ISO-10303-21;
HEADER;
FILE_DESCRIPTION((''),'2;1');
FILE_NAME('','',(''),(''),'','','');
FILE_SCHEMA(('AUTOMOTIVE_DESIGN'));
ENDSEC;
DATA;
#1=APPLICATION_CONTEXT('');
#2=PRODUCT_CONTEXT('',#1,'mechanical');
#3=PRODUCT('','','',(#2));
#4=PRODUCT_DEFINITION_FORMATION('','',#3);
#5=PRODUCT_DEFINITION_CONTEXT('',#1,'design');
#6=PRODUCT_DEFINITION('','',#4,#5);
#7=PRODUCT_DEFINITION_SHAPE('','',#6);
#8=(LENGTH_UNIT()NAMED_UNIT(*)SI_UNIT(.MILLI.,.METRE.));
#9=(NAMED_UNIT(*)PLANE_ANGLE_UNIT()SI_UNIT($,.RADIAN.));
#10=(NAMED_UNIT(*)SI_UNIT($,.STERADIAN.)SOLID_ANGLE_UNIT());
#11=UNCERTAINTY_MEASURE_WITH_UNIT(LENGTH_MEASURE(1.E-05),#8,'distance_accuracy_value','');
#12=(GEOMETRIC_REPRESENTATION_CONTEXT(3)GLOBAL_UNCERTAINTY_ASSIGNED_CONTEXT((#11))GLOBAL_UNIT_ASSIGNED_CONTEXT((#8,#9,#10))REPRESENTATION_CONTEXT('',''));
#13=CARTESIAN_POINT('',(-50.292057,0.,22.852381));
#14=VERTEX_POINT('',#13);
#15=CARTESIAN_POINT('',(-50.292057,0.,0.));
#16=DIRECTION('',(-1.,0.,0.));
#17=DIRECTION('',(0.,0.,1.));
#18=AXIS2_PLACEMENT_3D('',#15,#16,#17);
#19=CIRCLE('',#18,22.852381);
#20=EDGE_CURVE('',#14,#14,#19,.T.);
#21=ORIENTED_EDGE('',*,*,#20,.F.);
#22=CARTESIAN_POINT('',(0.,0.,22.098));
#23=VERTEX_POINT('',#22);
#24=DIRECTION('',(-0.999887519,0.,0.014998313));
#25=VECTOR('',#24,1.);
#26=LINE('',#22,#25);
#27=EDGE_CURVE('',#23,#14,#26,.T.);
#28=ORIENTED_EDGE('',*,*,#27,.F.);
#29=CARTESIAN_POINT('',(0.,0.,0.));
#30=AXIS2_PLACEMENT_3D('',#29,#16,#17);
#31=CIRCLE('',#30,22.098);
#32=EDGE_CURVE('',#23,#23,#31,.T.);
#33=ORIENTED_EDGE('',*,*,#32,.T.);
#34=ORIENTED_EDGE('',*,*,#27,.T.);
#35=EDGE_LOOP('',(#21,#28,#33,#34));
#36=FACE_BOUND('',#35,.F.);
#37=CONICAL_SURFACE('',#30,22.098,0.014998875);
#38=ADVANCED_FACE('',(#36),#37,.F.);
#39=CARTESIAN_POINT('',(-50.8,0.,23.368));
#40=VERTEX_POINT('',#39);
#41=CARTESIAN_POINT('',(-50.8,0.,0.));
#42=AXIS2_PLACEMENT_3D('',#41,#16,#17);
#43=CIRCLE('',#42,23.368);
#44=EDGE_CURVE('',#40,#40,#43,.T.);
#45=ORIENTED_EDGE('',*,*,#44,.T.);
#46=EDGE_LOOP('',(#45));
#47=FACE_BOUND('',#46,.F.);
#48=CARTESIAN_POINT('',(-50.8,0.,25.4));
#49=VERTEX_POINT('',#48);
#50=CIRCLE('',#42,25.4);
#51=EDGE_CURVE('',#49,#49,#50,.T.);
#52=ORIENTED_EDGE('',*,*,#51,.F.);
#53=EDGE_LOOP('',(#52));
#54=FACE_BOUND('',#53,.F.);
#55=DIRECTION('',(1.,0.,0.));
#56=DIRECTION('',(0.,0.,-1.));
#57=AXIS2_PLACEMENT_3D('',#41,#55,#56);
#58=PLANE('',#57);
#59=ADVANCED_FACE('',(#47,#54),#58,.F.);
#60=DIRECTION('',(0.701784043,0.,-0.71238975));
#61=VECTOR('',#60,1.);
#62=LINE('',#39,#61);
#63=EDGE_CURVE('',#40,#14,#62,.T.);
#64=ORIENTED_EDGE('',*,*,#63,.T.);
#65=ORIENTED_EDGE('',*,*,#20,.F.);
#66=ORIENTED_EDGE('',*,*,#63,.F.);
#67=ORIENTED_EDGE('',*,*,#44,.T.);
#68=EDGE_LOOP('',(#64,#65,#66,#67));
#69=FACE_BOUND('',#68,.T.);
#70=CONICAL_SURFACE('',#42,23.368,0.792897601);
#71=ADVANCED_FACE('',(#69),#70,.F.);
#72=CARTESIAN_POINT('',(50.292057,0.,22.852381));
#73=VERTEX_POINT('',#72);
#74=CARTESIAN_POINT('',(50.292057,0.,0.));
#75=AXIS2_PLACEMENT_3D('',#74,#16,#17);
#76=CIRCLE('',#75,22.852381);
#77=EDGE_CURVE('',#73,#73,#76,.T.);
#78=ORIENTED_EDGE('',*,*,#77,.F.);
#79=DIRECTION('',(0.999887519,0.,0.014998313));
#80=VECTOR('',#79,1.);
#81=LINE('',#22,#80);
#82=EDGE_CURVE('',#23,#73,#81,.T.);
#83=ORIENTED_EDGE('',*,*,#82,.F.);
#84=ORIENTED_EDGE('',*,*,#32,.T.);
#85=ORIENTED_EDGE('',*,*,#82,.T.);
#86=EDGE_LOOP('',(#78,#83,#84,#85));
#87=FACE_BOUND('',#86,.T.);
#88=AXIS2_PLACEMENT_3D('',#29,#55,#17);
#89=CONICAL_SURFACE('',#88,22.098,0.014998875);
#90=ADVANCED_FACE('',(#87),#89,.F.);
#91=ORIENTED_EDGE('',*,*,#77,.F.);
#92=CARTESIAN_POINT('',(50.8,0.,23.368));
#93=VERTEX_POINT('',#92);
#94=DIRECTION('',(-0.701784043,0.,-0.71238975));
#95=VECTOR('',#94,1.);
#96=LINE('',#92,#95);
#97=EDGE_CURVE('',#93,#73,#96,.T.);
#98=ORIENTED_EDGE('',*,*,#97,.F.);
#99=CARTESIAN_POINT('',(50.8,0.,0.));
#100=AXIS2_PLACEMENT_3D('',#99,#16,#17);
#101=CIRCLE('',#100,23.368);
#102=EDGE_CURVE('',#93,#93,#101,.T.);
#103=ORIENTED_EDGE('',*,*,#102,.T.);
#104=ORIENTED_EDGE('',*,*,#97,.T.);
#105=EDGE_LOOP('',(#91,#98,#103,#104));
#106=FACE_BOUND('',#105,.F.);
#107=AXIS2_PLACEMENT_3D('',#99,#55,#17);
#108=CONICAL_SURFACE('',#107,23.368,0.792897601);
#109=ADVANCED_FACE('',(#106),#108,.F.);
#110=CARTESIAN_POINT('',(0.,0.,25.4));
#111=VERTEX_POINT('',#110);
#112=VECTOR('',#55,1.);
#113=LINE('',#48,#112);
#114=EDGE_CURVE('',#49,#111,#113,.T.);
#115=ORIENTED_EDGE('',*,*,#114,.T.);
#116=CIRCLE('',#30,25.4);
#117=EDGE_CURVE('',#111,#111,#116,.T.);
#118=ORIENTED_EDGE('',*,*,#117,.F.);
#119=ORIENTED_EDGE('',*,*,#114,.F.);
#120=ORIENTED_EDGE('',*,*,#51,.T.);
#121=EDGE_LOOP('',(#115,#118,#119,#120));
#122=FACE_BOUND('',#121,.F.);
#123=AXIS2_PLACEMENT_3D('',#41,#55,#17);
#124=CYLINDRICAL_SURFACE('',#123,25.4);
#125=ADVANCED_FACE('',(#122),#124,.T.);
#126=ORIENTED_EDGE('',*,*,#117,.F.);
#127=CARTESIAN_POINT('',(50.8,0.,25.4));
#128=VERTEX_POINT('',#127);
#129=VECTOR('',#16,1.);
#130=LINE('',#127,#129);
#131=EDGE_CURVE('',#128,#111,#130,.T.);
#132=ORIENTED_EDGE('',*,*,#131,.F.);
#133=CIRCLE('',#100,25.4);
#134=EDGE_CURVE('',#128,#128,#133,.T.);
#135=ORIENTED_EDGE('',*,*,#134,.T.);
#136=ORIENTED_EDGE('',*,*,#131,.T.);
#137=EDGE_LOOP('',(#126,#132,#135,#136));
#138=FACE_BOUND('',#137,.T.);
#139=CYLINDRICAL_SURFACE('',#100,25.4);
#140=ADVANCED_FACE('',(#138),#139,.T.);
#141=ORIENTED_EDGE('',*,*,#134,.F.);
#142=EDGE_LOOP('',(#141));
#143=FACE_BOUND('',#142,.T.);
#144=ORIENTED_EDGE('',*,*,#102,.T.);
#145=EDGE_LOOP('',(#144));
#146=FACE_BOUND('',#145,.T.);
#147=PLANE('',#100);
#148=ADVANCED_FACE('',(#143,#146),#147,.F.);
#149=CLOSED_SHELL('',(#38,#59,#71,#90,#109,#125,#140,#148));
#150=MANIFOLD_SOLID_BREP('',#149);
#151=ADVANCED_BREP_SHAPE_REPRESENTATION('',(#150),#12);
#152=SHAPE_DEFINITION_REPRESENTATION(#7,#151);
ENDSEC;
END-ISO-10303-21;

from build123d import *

# Parameters (mm, degrees)
F3_SIZE = 0.508


with BuildPart() as f1:
    # F0 (on Front) → F1 (revolve)
    with BuildSketch(Plane.XZ):
        Polygon((50.8, 25.4), (0, 25.4), (0, 22.098), (50.8, 22.86), align=None)
    revolve(axis=Axis((-51.9470935156, 0, 0), (-1, 0, 0)))

    # F2: F1 across face


with BuildPart() as f1_1:
    add(f1.part)
    add(f1.part.mirror(Plane(origin=(0, 0, 0), x_dir=(0, -1, 0), z_dir=(-1, 0, 0))))

    # F3
    f3_edges = [f1_1.edges().sort_by_distance(p)[0] for p in [
        (-50.8, 0, -22.86),
        (50.8, 0, -22.86),
    ]]
    chamfer(f3_edges, length=F3_SIZE)


solid = f1_1.part
